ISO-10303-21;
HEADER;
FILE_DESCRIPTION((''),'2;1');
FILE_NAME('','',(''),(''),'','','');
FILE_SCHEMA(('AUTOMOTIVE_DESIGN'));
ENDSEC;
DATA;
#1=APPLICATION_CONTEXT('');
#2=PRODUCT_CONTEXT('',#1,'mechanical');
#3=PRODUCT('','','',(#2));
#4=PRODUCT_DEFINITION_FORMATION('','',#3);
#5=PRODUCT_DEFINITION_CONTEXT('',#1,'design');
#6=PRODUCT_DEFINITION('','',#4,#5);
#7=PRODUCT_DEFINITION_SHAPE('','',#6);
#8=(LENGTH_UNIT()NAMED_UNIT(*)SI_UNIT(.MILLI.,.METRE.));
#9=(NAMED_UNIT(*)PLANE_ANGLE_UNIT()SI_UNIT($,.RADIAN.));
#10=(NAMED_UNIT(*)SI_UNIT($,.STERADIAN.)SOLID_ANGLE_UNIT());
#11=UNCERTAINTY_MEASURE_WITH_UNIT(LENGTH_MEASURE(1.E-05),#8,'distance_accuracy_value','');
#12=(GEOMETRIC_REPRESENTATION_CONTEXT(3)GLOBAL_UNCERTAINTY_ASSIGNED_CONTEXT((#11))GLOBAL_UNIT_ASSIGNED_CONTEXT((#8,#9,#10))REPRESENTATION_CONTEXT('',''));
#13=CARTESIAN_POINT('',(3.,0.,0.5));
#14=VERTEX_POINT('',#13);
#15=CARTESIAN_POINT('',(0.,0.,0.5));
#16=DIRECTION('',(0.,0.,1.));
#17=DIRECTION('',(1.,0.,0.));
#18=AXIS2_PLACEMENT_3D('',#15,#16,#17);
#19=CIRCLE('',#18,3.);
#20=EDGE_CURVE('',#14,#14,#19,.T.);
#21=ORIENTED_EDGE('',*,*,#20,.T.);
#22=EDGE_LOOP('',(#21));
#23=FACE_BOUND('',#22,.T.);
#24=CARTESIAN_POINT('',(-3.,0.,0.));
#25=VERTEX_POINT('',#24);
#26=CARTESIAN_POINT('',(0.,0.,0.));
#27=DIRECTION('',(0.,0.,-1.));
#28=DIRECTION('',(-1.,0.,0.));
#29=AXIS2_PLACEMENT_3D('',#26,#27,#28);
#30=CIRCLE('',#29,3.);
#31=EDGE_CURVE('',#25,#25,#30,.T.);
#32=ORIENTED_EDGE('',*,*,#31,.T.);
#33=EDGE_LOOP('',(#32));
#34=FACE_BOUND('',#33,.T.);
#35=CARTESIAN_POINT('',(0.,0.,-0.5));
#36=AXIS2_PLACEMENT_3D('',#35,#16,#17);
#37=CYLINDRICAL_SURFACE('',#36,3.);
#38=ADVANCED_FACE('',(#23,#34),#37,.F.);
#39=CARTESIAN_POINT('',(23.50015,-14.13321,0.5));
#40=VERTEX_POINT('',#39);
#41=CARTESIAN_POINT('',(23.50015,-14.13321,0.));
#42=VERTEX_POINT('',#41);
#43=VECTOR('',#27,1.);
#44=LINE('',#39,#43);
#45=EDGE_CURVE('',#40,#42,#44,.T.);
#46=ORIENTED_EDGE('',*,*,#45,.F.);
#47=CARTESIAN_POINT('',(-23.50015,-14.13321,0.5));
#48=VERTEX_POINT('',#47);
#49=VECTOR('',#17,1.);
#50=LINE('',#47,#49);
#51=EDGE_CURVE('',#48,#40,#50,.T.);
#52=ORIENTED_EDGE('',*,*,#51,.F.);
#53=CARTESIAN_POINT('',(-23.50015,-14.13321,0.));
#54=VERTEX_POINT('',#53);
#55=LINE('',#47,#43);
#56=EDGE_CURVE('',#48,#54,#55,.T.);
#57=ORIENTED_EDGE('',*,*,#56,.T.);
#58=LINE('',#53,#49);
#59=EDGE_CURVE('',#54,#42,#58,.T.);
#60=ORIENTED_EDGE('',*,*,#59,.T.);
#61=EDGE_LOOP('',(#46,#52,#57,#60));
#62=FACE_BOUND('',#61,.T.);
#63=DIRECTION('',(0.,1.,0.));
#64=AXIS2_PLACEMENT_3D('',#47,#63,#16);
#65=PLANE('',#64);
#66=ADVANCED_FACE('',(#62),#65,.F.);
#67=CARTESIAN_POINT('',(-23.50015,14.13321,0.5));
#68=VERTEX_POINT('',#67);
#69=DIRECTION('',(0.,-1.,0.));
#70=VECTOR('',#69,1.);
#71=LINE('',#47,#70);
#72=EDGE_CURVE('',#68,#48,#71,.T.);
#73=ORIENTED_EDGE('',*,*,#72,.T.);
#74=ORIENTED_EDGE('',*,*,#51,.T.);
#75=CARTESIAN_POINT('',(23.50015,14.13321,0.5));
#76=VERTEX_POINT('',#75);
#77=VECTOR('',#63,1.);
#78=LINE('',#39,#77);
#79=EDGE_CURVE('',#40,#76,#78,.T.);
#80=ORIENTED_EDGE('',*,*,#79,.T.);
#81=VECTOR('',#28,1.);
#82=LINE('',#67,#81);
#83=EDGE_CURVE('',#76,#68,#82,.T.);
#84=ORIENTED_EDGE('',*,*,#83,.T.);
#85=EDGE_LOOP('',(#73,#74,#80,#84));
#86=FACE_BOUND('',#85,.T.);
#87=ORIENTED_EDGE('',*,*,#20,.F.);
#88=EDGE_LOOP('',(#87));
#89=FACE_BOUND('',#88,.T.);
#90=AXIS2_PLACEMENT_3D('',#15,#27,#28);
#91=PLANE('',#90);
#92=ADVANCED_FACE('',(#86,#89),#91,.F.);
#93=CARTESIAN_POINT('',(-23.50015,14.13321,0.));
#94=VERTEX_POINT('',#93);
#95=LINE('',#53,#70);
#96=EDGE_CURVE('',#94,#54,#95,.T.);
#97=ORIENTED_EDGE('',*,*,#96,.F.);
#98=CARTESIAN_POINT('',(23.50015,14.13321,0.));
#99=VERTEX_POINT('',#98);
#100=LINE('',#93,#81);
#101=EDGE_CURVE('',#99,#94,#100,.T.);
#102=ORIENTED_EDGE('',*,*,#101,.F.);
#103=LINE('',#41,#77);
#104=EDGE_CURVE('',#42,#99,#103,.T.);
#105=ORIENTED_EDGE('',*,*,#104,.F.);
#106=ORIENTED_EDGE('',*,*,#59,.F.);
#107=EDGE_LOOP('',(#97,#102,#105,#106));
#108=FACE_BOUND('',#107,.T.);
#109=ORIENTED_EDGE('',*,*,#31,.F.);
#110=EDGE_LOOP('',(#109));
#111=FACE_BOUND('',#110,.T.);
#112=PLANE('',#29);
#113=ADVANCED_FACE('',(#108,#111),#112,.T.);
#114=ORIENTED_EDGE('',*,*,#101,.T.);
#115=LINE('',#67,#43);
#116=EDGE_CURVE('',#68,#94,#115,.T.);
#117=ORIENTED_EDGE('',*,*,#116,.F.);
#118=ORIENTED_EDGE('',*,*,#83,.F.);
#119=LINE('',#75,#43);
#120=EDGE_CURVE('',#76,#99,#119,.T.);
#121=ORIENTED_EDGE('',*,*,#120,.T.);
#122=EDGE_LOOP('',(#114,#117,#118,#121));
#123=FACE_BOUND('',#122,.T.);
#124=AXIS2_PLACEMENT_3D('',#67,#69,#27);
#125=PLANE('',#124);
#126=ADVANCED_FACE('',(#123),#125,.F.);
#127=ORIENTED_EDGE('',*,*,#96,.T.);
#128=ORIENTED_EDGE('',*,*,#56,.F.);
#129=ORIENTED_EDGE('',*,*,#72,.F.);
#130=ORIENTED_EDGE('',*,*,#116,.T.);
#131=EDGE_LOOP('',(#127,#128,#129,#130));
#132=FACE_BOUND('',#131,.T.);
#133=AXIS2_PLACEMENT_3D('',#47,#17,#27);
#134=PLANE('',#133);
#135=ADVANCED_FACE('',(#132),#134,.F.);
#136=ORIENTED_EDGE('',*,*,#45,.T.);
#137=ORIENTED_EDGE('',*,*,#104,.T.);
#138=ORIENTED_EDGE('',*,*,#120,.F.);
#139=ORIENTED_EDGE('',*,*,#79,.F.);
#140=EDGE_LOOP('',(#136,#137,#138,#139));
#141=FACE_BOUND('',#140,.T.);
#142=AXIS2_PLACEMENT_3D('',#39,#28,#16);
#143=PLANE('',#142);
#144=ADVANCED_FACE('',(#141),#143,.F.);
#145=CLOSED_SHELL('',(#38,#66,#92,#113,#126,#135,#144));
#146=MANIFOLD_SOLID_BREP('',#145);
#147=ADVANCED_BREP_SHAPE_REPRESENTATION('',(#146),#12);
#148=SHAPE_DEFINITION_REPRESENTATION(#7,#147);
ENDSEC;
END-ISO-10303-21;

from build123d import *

# Parameters (mm, degrees)
SCHIZZO2_W                   = 47.000299234
SCHIZZO2_H                   = 28.266419926
ESTRUSIONE_ESTRUSIONE1_DEPTH = 0.5
SCHIZZO3_R                   = 3
TAGLIO_ESTRUSIONE1_DEPTH     = 1


with BuildPart() as part:
    # Schizzo2 → Estrusione-Estrusione1 (new body)
    with BuildSketch(Plane.XY):
        Rectangle(SCHIZZO2_W, SCHIZZO2_H)
    extrude(amount=ESTRUSIONE_ESTRUSIONE1_DEPTH)

    # Schizzo3 → Taglio-Estrusione1 (cut)
    with BuildSketch(Plane.XY.offset(0.5)):
        Circle(SCHIZZO3_R)
    extrude(amount=-TAGLIO_ESTRUSIONE1_DEPTH, mode=Mode.SUBTRACT)


solid = part.part
